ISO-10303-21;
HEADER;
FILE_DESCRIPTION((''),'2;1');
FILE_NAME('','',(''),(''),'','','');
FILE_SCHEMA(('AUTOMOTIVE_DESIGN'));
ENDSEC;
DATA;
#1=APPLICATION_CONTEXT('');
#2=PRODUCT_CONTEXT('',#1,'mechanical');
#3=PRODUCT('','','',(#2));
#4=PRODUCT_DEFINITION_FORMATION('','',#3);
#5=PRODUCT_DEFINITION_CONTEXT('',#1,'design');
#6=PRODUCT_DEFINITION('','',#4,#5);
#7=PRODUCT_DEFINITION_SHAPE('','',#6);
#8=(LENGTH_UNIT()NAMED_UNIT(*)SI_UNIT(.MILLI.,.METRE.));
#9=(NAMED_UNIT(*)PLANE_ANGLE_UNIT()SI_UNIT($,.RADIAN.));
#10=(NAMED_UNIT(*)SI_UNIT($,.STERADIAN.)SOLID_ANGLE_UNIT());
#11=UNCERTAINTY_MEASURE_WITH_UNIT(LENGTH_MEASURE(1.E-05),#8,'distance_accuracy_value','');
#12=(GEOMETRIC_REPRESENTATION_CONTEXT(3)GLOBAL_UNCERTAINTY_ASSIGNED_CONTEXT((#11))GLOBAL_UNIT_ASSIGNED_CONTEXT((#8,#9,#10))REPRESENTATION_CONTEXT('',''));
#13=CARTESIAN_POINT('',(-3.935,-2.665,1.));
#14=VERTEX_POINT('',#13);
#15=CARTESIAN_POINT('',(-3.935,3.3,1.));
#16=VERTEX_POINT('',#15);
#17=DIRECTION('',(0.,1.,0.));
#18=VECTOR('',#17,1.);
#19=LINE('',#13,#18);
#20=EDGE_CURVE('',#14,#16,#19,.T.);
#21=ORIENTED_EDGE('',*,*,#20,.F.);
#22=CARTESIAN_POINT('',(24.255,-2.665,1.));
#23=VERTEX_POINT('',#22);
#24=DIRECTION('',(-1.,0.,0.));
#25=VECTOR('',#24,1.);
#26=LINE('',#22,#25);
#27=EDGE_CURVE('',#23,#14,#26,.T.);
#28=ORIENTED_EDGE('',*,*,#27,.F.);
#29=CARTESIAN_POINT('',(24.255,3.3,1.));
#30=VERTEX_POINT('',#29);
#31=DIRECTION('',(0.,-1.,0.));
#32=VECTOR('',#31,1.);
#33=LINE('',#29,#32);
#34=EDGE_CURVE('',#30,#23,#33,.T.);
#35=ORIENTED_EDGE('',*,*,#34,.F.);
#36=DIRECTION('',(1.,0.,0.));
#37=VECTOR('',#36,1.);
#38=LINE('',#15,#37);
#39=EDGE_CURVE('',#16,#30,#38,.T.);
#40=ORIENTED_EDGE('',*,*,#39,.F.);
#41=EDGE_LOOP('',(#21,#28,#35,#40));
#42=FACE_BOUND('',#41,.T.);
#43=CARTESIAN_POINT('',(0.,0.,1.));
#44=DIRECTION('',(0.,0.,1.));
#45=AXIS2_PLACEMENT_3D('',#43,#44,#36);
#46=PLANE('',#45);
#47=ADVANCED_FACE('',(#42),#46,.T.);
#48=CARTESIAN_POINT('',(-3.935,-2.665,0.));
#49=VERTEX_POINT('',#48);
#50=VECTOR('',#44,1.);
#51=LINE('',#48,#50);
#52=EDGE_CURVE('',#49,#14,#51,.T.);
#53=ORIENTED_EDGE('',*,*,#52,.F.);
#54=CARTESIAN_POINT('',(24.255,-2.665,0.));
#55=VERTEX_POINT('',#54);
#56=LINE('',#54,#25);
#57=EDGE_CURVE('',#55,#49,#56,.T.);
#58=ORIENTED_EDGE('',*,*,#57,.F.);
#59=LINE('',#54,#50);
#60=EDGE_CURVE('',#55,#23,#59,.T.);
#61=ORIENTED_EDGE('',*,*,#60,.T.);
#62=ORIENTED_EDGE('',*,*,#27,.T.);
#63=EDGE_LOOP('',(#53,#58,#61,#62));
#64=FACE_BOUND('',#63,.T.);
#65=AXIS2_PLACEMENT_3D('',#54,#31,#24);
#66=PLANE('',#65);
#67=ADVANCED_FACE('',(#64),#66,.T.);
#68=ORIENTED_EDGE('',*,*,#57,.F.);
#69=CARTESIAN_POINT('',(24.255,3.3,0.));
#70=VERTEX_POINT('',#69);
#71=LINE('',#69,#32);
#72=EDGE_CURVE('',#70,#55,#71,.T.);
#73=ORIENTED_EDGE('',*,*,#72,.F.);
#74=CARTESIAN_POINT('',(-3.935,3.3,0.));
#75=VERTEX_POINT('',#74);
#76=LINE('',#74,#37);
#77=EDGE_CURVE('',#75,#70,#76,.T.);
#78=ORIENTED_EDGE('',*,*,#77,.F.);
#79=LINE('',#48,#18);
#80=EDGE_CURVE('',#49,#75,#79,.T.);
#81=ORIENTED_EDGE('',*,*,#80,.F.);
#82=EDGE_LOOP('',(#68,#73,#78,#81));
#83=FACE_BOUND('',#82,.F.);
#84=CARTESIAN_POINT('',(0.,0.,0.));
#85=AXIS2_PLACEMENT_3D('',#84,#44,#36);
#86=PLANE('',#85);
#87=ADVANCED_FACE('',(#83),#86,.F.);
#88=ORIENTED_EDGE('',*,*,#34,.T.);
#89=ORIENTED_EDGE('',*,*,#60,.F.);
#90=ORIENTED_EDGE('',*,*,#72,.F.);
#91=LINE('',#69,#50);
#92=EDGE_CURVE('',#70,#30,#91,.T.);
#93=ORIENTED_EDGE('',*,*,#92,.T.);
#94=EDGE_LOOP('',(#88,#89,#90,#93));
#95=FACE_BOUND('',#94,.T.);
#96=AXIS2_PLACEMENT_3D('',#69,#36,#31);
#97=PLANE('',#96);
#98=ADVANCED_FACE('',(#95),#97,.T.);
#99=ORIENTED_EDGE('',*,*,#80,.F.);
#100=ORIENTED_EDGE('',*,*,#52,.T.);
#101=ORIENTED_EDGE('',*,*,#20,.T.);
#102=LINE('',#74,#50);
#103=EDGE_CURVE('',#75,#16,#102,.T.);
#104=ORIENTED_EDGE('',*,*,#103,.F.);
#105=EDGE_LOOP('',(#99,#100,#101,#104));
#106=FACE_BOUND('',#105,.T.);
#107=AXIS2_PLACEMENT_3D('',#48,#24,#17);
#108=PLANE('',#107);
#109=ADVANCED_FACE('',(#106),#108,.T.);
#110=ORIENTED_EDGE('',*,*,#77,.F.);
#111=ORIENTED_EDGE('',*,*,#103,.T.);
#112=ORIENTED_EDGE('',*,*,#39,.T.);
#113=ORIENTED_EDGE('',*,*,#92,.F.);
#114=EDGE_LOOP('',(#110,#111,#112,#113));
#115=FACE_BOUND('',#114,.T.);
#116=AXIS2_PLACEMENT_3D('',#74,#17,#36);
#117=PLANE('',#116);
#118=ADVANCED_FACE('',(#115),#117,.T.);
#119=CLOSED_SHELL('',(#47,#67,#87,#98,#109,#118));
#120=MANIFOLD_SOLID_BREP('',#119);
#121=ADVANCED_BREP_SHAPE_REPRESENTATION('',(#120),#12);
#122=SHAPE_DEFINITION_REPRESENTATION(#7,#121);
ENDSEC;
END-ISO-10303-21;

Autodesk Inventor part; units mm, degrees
ref_plane "YZ Plane" through (0, 0, 0) normal (1, 0, 0) x (0, 1, 0)
ref_plane "XZ Plane" through (0, 0, 0) normal (0, 1, 0) x (-1, 0, 0)
ref_plane "XY Plane" through (0, 0, 0) normal (0, 0, 1) x (1, 0, 0)
sketch "C42_34, C42_34_208" plane through (0, 0, 0) normal (0, 0, 1) x (1, 0, 0)
  line L0 (-3.935, -2.665) -> (-3.935, 3.3)
  line L1 (-3.935, 3.3) -> (24.255, 3.3)
  line L2 (24.255, 3.3) -> (24.255, -2.665)
  line L3 (24.255, -2.665) -> (-3.935, -2.665)
extrude "Extrusion1" add sketch "C42_34, C42_34_208" along normal blind 1
properties part number "C42_34"
